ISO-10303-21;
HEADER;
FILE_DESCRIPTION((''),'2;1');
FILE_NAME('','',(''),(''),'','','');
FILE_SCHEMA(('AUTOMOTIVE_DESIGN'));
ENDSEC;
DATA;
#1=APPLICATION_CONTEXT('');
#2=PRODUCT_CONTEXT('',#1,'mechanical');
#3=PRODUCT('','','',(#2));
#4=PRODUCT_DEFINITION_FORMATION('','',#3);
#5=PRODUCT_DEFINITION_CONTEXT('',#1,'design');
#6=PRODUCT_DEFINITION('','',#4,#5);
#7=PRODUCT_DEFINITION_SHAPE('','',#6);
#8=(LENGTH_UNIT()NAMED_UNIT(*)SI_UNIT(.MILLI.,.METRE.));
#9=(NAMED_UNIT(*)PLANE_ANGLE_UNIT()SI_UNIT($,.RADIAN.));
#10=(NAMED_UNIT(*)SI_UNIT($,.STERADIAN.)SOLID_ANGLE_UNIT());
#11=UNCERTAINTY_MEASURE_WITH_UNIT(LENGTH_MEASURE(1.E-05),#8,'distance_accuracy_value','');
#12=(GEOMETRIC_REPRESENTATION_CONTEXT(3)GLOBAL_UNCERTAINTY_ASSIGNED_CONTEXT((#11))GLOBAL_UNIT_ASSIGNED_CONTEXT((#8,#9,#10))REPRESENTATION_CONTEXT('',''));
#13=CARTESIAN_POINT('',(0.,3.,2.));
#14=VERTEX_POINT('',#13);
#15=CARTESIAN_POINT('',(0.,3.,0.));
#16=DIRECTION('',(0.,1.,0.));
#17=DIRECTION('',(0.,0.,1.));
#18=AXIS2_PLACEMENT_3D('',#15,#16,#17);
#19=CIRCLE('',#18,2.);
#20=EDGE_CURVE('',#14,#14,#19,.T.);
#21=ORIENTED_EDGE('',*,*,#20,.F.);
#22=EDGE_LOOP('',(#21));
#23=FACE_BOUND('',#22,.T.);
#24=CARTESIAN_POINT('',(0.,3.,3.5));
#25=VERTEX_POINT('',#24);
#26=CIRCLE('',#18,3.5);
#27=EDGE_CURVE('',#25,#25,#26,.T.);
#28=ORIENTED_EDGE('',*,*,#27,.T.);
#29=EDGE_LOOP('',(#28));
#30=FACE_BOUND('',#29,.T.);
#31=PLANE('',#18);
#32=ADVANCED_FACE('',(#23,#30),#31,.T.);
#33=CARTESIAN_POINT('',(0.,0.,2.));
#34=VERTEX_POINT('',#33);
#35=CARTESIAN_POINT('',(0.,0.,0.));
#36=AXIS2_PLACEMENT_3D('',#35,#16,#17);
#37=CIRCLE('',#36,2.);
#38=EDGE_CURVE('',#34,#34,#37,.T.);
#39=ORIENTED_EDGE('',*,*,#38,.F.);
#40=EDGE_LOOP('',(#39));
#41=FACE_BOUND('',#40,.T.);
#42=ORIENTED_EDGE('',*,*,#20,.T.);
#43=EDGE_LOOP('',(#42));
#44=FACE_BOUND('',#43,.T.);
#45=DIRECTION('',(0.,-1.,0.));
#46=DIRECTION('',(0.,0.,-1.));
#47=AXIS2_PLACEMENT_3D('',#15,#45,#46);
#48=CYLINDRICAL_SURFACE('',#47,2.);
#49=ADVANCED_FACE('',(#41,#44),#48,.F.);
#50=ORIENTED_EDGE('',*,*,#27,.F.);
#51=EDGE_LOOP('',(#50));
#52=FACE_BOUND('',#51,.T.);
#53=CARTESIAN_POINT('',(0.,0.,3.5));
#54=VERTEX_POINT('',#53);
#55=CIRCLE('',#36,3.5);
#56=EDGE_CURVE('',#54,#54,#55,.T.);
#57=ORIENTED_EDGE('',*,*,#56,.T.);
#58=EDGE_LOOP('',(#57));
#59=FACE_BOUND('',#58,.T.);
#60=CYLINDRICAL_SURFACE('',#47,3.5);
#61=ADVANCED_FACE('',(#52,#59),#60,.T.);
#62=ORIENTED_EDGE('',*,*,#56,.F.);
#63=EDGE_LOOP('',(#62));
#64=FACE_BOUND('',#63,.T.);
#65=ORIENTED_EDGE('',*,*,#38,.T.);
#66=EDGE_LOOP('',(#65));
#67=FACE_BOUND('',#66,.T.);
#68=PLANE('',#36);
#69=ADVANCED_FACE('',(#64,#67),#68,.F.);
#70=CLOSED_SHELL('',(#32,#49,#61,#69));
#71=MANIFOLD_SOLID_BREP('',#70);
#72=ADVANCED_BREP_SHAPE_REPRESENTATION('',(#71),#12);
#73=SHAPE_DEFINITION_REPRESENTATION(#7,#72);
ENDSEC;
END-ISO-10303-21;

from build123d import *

# Parameters (mm, degrees)
SKETCH1_R           = 3.5
SKETCH1_R_2         = 2
BOSS_EXTRUDE1_DEPTH = 3


with BuildPart() as part:
    # Sketch1 → Boss-Extrude1 (new body)
    with BuildSketch(Plane(origin=(0, 0, 0), x_dir=(1, 0, 0), z_dir=(0, 1, 0))):
        Circle(SKETCH1_R)
        Circle(SKETCH1_R_2, mode=Mode.SUBTRACT)
    extrude(amount=BOSS_EXTRUDE1_DEPTH)


solid = part.part
